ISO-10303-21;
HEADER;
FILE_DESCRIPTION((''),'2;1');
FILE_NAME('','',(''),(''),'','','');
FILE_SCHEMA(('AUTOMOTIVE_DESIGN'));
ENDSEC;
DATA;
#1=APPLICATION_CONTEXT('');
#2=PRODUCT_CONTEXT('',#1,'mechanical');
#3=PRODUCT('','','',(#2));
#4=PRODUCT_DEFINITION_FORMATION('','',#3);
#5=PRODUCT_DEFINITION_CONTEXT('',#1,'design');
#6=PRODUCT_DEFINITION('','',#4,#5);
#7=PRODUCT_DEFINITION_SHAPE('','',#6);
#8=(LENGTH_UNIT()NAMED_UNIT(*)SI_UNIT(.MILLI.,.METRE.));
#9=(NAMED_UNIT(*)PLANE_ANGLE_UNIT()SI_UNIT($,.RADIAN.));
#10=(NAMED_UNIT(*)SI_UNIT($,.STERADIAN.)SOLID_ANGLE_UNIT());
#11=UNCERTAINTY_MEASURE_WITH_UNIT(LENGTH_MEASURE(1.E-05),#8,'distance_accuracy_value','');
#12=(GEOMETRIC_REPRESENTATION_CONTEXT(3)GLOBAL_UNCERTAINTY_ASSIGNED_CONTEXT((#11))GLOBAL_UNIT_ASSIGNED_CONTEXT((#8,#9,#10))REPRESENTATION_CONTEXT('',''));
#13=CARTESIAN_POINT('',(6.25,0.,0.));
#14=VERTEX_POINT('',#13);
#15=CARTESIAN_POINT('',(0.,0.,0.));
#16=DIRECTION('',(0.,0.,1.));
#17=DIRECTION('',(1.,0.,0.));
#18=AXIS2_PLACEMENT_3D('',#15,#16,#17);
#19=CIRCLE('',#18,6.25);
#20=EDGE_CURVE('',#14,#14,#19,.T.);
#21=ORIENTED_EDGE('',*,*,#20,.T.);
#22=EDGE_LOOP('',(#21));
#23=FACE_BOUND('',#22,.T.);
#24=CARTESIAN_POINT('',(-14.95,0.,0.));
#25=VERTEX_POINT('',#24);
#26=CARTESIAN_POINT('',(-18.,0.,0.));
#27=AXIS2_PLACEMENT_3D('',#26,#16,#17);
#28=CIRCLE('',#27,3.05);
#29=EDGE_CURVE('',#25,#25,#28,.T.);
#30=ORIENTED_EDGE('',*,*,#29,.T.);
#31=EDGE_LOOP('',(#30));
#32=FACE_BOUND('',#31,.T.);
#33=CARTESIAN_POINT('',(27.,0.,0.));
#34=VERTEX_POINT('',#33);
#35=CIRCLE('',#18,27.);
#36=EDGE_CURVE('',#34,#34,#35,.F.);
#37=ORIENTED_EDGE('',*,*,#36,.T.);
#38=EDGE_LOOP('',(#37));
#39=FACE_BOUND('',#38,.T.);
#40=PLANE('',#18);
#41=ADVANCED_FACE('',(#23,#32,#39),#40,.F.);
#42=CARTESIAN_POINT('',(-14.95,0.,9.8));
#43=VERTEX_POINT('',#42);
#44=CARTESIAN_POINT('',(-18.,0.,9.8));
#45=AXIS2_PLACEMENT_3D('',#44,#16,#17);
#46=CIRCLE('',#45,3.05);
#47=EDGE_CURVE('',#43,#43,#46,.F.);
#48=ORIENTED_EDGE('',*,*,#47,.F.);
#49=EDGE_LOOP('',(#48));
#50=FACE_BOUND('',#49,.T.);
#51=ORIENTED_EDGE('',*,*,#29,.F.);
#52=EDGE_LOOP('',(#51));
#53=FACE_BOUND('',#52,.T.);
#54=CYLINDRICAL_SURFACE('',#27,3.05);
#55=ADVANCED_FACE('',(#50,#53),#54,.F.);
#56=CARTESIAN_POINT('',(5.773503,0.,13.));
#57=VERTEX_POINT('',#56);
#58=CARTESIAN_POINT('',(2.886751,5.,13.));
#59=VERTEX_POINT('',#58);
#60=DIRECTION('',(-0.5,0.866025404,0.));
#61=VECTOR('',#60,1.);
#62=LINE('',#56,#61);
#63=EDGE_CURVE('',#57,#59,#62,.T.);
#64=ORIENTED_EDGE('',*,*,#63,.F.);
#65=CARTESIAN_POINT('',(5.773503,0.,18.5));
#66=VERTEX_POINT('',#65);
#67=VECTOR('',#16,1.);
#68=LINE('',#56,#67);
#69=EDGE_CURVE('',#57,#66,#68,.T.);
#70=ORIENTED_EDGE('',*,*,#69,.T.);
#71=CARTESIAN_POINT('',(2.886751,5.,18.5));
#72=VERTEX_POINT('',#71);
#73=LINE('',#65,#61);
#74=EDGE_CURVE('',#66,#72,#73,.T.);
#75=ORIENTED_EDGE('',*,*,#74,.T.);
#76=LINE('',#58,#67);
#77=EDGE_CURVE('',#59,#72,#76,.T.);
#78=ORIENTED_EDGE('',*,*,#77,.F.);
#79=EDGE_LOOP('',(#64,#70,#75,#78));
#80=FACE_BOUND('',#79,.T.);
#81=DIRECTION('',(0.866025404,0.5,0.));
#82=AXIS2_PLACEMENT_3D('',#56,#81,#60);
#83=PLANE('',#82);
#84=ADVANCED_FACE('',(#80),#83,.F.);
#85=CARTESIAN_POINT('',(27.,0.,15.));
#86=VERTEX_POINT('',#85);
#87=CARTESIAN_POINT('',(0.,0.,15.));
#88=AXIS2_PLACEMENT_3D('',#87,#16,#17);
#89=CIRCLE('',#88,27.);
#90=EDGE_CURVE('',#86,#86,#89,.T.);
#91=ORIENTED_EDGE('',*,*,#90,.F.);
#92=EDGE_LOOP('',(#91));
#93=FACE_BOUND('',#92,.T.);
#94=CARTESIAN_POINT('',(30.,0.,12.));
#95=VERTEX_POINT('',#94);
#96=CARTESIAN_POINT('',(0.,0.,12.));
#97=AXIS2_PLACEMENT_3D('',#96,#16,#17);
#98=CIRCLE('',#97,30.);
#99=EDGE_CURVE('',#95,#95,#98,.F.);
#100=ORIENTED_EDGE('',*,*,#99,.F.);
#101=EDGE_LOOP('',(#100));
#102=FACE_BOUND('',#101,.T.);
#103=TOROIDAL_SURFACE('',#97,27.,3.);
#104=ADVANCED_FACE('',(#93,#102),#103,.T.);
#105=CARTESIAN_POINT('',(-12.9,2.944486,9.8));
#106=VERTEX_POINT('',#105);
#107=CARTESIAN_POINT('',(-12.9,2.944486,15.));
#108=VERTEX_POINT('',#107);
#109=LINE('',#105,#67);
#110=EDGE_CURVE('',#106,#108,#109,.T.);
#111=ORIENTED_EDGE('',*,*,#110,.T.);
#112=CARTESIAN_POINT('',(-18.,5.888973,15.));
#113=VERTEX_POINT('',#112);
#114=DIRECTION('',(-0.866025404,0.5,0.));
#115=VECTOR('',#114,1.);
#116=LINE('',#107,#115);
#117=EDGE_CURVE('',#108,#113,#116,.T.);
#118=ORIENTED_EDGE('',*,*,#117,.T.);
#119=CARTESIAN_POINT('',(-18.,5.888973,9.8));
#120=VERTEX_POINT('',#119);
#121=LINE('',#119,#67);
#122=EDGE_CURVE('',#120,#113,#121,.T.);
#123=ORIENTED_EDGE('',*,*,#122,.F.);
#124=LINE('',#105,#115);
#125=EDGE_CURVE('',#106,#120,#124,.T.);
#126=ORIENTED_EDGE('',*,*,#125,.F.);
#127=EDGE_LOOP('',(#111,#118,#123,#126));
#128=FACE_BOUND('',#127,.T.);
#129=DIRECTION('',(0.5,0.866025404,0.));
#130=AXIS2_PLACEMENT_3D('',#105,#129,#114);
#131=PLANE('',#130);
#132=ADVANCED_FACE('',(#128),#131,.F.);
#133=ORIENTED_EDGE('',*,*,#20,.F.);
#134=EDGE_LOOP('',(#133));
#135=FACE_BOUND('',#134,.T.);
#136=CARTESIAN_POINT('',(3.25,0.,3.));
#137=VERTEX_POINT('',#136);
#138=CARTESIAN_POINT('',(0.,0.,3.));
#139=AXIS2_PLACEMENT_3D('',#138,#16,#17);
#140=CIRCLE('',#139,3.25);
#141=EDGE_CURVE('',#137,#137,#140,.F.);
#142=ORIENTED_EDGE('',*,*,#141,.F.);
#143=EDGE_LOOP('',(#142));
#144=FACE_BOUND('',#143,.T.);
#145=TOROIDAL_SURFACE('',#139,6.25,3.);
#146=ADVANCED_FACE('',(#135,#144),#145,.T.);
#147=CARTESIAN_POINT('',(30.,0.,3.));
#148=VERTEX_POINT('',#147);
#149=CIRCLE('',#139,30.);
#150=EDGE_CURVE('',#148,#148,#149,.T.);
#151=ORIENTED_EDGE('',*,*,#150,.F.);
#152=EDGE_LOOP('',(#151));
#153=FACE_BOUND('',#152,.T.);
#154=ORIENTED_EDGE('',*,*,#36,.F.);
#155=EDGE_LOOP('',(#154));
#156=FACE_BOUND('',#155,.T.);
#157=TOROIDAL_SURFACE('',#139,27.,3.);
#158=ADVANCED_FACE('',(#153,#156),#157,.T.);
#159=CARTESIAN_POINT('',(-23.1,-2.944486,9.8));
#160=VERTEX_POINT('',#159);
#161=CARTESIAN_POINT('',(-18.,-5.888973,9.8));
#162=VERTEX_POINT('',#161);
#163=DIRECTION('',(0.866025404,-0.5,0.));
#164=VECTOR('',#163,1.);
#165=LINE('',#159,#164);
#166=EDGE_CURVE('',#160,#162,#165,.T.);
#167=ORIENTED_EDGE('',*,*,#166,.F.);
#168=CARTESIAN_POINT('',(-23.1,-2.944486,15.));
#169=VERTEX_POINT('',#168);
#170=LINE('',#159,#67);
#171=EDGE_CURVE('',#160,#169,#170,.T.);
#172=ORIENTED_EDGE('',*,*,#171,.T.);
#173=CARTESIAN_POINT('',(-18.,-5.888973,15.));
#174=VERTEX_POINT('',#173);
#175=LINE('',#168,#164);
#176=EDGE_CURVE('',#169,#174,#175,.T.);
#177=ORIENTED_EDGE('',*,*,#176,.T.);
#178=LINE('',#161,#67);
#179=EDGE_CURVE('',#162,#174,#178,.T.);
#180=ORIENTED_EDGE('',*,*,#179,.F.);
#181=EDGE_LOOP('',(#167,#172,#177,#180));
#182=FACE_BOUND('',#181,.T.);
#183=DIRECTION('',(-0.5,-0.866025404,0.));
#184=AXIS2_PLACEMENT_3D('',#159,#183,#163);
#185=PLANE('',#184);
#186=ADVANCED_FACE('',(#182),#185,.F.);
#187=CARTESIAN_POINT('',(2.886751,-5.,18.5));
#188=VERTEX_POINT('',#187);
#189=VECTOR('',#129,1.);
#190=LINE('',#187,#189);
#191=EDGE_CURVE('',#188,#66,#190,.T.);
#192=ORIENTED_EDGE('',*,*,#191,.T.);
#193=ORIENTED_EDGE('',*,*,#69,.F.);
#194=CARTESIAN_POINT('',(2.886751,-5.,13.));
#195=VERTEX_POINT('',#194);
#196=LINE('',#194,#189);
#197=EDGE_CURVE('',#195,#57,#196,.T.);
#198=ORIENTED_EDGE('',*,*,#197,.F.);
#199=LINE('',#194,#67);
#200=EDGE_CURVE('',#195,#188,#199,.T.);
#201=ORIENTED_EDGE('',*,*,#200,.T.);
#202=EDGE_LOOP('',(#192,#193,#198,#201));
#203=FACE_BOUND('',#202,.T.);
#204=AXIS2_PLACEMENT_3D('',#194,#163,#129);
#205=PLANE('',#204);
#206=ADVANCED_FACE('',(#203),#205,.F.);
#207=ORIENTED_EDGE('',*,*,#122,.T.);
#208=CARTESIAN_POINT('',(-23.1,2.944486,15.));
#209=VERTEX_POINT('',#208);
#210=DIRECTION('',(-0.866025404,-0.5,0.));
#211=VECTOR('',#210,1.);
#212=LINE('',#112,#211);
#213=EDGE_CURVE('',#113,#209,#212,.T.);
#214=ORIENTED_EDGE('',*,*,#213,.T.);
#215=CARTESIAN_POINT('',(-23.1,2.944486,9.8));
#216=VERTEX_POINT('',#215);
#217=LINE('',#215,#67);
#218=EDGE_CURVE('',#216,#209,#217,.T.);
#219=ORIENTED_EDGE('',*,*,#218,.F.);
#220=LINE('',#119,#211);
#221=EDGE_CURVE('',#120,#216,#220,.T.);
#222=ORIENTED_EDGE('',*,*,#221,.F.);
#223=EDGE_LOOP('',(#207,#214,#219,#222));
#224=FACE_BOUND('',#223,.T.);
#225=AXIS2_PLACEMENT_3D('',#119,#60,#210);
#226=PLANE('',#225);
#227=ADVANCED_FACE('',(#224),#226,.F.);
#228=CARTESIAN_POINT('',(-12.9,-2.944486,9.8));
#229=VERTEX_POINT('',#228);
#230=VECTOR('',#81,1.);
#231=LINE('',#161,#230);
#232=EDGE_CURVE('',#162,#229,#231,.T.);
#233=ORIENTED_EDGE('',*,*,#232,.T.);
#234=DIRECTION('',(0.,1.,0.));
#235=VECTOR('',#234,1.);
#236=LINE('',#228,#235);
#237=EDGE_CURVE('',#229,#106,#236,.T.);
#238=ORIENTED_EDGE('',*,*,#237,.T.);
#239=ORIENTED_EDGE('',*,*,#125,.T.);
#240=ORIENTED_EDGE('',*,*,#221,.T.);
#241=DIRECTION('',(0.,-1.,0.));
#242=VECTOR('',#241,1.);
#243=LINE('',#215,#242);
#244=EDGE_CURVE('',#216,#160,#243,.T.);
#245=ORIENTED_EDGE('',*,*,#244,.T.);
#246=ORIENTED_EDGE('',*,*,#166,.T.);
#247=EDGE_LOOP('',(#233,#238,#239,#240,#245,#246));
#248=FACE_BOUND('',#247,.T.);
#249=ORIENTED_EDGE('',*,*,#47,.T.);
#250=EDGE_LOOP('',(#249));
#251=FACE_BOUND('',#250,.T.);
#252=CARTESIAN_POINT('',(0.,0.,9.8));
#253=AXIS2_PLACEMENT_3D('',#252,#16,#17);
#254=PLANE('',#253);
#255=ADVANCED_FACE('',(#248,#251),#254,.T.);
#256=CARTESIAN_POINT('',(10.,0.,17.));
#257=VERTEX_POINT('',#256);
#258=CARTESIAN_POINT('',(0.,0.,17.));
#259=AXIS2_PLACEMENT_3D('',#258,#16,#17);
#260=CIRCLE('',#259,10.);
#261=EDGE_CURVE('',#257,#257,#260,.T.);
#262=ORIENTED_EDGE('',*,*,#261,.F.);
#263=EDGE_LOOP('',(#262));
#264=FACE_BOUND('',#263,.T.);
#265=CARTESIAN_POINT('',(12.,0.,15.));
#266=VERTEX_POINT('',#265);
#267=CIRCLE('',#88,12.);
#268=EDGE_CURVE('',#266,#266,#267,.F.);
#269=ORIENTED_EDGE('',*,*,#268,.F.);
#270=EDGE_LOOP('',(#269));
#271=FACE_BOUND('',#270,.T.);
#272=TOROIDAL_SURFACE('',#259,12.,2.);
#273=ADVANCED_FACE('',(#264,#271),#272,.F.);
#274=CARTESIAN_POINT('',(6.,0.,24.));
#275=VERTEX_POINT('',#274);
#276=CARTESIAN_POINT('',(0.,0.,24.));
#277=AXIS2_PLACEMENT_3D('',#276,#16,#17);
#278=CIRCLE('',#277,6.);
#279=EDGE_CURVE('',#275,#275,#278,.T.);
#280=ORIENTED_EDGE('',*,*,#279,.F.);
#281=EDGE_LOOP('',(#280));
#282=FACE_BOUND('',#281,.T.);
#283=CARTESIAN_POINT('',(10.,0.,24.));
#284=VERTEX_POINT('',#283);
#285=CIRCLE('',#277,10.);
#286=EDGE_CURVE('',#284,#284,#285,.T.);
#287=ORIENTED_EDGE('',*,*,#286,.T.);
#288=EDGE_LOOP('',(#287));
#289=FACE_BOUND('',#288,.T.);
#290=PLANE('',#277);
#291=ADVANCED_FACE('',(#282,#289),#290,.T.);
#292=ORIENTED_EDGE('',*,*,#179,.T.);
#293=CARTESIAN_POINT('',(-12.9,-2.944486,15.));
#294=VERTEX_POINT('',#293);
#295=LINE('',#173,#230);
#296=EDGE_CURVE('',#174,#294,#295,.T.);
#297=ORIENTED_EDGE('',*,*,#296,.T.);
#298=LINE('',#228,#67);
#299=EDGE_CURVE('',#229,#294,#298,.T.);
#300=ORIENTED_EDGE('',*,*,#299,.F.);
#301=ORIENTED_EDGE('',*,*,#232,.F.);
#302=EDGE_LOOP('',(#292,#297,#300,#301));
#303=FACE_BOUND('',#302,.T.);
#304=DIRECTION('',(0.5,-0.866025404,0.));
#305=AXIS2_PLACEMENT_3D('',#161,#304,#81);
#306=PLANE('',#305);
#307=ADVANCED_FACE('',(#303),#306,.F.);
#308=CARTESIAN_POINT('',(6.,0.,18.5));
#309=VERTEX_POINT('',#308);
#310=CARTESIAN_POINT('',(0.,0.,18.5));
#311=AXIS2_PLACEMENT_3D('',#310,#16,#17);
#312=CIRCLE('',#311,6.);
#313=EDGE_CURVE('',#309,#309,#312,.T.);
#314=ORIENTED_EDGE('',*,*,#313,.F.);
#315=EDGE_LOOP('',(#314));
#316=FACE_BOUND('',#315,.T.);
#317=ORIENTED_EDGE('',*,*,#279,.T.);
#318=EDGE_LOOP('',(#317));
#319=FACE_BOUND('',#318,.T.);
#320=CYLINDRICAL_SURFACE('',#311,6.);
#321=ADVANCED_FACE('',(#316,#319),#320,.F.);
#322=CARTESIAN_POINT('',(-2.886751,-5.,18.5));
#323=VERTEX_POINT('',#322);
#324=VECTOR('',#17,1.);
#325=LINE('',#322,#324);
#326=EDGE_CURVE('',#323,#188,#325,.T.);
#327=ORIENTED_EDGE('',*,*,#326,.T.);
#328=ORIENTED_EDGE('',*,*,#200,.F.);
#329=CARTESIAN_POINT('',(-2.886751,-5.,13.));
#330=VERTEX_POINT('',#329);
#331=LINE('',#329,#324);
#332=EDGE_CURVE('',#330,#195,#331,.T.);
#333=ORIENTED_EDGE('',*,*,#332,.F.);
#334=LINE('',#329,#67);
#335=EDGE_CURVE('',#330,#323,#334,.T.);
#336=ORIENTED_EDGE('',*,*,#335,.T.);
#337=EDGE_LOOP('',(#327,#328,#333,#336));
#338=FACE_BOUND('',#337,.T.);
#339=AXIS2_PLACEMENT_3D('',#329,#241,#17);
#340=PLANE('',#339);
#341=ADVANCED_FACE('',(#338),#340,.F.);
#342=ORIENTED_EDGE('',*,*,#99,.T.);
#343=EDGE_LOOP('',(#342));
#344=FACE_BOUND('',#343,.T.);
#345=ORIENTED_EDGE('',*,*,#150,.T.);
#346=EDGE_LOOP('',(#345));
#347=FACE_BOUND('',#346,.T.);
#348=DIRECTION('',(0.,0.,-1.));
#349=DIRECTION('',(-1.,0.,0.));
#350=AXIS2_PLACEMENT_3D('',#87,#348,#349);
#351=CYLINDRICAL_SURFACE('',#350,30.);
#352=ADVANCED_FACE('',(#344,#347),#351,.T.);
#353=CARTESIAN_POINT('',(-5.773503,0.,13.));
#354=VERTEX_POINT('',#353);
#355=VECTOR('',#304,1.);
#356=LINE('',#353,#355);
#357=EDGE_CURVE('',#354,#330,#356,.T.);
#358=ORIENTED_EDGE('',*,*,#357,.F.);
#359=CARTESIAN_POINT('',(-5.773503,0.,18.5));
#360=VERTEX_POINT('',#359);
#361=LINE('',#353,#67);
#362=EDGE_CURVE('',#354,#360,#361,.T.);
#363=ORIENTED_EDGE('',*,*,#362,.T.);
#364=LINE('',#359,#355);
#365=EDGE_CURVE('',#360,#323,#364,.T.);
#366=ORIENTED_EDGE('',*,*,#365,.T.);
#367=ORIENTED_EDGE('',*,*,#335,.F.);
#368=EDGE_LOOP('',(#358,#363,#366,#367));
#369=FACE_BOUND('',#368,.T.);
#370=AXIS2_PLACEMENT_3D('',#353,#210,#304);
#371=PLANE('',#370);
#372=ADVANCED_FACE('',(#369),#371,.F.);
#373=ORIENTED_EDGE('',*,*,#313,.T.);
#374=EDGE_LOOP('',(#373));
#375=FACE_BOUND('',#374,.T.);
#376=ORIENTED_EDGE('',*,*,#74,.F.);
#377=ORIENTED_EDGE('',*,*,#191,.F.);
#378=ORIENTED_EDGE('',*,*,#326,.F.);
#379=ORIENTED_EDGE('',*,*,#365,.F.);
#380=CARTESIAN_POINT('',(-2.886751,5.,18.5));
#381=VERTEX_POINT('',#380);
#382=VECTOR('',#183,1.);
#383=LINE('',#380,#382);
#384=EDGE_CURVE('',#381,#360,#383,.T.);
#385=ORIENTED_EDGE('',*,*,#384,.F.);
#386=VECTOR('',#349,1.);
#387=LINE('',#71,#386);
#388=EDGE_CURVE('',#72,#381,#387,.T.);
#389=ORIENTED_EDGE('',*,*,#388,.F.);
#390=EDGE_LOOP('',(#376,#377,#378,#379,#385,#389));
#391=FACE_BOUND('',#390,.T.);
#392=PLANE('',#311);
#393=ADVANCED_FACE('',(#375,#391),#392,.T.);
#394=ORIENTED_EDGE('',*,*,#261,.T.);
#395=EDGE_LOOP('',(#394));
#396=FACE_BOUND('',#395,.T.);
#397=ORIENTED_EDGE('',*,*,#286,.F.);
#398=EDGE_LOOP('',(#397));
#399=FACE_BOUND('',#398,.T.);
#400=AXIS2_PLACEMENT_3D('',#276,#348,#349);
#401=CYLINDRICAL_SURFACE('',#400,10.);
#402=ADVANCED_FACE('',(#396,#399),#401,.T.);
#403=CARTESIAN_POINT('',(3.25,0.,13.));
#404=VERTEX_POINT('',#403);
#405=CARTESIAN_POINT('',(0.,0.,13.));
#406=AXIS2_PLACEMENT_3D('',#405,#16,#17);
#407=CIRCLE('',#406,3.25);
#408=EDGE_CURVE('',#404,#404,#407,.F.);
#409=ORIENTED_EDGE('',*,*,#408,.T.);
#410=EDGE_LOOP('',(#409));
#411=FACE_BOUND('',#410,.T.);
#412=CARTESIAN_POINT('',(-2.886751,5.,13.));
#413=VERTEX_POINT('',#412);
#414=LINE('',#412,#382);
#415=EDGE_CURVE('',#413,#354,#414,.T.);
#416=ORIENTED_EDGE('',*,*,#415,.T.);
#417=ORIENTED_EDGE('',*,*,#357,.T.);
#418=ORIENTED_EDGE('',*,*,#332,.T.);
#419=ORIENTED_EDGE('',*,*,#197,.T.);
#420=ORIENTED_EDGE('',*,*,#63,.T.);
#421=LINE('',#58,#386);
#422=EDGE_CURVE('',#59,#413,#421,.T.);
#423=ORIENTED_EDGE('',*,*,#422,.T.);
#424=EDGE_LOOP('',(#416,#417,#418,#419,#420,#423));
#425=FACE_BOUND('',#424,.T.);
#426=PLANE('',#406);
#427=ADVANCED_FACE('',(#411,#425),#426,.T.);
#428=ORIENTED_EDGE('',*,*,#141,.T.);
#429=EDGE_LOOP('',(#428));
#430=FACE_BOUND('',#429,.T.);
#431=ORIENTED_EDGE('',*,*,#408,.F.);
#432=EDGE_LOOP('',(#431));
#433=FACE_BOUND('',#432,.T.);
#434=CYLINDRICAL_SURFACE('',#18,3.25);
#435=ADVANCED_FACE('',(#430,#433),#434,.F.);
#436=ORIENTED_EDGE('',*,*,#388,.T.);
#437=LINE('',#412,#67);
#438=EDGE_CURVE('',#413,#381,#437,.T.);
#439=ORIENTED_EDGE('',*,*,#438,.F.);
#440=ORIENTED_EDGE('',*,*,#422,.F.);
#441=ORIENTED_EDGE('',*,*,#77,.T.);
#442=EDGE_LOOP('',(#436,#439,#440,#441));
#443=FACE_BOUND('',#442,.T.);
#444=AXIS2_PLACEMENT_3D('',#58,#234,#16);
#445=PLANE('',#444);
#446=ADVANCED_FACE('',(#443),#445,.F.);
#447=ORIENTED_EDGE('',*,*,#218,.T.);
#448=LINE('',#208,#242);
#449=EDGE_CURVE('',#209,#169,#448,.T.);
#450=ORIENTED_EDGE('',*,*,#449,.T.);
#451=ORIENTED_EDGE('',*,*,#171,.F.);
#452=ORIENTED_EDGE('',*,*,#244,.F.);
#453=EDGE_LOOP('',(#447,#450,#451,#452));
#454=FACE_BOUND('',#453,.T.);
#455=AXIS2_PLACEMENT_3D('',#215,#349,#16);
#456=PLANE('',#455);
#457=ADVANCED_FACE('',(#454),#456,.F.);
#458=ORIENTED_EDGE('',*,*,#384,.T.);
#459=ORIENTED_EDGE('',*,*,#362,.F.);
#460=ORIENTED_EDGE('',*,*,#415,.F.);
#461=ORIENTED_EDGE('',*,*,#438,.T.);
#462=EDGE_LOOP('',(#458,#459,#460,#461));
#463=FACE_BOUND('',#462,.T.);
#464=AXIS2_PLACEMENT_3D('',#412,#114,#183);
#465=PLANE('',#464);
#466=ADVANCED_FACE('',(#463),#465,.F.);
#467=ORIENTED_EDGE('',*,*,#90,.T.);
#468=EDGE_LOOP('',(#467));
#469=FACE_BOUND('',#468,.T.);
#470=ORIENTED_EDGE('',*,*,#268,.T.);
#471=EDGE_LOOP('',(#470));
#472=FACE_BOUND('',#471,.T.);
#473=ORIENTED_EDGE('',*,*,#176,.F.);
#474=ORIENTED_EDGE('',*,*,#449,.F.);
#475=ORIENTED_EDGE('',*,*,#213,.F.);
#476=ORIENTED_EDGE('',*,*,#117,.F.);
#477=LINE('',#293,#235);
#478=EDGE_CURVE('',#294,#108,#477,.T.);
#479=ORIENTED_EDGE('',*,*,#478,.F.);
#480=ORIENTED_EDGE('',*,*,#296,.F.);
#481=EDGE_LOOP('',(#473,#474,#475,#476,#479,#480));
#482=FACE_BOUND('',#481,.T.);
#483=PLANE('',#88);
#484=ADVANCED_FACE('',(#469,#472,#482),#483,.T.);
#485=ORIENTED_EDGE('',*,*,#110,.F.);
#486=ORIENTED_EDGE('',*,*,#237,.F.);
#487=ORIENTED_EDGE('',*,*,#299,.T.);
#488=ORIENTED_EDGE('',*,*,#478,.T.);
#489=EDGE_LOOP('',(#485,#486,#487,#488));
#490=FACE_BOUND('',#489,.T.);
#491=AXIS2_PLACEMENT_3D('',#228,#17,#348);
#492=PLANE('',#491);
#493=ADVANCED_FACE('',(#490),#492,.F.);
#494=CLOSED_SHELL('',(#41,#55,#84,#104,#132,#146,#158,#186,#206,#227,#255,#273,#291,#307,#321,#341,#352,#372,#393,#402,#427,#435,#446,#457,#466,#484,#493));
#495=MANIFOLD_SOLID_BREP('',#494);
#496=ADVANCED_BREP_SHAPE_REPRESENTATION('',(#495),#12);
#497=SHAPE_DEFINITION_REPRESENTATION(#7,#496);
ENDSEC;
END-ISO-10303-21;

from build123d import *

# Parameters (mm, degrees)
SKETCH1_R           = 30
BOSS_EXTRUDE1_DEPTH = 15
SKETCH2_R           = 10
BOSS_EXTRUDE2_DEPTH = 9
SKETCH3_R           = 3.25
CUT_EXTRUDE1_DEPTH  = 25
FILLET1_R           = 3
SKETCH8_R           = 3.05
CUT_EXTRUDE3_DEPTH  = 16
CUT_EXTRUDE4_DEPTH  = 5.2
SKETCH9_R           = 6
CUT_EXTRUDE5_DEPTH  = 5.5
CUT_EXTRUDE6_DEPTH  = 5.5
FILLET2_R           = 2


with BuildPart() as part:
    # Sketch1 → Boss-Extrude1 (new body)
    with BuildSketch(Plane.XY):
        Circle(SKETCH1_R)
    extrude(amount=BOSS_EXTRUDE1_DEPTH)

    # Sketch2 → Boss-Extrude2 (add)
    with BuildSketch(Plane.XY.offset(15)):
        Circle(SKETCH2_R)
    extrude(amount=BOSS_EXTRUDE2_DEPTH)

    # Sketch3 → Cut-Extrude1 (cut, through all)
    with BuildSketch(Plane.XY.offset(24)):
        Circle(SKETCH3_R)
    extrude(amount=-CUT_EXTRUDE1_DEPTH, mode=Mode.SUBTRACT)

    # Fillet1
    fillet1_edges = [part.edges().sort_by_distance(p)[0] for p in [
        (-3.25, 0, 0),
        (-30, 0, 0),
        (-30, 0, 15),
    ]]
    fillet(fillet1_edges, radius=FILLET1_R)

    # Sketch8 → Cut-Extrude3 (cut, through all)
    with BuildSketch(Plane.XY.offset(15)):
        with Locations((-18, 0)):
            Circle(SKETCH8_R)
    extrude(amount=-CUT_EXTRUDE3_DEPTH, mode=Mode.SUBTRACT)

    # Sketch7 → Cut-Extrude4 (cut)
    with BuildSketch(Plane.XY.offset(15)):
        Polygon((-23.1, 2.944486373), (-23.1, -2.944486373), (-18, -5.888972746), (-12.9, -2.944486373), (-12.9, 2.944486373), (-18, 5.888972746), align=None)
    extrude(amount=-CUT_EXTRUDE4_DEPTH, mode=Mode.SUBTRACT)

    # Sketch9 → Cut-Extrude5 (cut)
    with BuildSketch(Plane.XY.offset(24)):
        Circle(SKETCH9_R)
    extrude(amount=-CUT_EXTRUDE5_DEPTH, mode=Mode.SUBTRACT)

    # Sketch10 → Cut-Extrude6 (cut)
    with BuildSketch(Plane.XY.offset(18.5)):
        Polygon((5.773502692, 0), (2.886751346, 5), (-2.886751346, 5), (-5.773502692, 0), (-2.886751346, -5), (2.886751346, -5), align=None)
    extrude(amount=-CUT_EXTRUDE6_DEPTH, mode=Mode.SUBTRACT)

    # Fillet2
    fillet2_edges = [part.edges().sort_by_distance(p)[0] for p in [
        (-10, 0, 15),
    ]]
    fillet(fillet2_edges, radius=FILLET2_R)


solid = part.part
